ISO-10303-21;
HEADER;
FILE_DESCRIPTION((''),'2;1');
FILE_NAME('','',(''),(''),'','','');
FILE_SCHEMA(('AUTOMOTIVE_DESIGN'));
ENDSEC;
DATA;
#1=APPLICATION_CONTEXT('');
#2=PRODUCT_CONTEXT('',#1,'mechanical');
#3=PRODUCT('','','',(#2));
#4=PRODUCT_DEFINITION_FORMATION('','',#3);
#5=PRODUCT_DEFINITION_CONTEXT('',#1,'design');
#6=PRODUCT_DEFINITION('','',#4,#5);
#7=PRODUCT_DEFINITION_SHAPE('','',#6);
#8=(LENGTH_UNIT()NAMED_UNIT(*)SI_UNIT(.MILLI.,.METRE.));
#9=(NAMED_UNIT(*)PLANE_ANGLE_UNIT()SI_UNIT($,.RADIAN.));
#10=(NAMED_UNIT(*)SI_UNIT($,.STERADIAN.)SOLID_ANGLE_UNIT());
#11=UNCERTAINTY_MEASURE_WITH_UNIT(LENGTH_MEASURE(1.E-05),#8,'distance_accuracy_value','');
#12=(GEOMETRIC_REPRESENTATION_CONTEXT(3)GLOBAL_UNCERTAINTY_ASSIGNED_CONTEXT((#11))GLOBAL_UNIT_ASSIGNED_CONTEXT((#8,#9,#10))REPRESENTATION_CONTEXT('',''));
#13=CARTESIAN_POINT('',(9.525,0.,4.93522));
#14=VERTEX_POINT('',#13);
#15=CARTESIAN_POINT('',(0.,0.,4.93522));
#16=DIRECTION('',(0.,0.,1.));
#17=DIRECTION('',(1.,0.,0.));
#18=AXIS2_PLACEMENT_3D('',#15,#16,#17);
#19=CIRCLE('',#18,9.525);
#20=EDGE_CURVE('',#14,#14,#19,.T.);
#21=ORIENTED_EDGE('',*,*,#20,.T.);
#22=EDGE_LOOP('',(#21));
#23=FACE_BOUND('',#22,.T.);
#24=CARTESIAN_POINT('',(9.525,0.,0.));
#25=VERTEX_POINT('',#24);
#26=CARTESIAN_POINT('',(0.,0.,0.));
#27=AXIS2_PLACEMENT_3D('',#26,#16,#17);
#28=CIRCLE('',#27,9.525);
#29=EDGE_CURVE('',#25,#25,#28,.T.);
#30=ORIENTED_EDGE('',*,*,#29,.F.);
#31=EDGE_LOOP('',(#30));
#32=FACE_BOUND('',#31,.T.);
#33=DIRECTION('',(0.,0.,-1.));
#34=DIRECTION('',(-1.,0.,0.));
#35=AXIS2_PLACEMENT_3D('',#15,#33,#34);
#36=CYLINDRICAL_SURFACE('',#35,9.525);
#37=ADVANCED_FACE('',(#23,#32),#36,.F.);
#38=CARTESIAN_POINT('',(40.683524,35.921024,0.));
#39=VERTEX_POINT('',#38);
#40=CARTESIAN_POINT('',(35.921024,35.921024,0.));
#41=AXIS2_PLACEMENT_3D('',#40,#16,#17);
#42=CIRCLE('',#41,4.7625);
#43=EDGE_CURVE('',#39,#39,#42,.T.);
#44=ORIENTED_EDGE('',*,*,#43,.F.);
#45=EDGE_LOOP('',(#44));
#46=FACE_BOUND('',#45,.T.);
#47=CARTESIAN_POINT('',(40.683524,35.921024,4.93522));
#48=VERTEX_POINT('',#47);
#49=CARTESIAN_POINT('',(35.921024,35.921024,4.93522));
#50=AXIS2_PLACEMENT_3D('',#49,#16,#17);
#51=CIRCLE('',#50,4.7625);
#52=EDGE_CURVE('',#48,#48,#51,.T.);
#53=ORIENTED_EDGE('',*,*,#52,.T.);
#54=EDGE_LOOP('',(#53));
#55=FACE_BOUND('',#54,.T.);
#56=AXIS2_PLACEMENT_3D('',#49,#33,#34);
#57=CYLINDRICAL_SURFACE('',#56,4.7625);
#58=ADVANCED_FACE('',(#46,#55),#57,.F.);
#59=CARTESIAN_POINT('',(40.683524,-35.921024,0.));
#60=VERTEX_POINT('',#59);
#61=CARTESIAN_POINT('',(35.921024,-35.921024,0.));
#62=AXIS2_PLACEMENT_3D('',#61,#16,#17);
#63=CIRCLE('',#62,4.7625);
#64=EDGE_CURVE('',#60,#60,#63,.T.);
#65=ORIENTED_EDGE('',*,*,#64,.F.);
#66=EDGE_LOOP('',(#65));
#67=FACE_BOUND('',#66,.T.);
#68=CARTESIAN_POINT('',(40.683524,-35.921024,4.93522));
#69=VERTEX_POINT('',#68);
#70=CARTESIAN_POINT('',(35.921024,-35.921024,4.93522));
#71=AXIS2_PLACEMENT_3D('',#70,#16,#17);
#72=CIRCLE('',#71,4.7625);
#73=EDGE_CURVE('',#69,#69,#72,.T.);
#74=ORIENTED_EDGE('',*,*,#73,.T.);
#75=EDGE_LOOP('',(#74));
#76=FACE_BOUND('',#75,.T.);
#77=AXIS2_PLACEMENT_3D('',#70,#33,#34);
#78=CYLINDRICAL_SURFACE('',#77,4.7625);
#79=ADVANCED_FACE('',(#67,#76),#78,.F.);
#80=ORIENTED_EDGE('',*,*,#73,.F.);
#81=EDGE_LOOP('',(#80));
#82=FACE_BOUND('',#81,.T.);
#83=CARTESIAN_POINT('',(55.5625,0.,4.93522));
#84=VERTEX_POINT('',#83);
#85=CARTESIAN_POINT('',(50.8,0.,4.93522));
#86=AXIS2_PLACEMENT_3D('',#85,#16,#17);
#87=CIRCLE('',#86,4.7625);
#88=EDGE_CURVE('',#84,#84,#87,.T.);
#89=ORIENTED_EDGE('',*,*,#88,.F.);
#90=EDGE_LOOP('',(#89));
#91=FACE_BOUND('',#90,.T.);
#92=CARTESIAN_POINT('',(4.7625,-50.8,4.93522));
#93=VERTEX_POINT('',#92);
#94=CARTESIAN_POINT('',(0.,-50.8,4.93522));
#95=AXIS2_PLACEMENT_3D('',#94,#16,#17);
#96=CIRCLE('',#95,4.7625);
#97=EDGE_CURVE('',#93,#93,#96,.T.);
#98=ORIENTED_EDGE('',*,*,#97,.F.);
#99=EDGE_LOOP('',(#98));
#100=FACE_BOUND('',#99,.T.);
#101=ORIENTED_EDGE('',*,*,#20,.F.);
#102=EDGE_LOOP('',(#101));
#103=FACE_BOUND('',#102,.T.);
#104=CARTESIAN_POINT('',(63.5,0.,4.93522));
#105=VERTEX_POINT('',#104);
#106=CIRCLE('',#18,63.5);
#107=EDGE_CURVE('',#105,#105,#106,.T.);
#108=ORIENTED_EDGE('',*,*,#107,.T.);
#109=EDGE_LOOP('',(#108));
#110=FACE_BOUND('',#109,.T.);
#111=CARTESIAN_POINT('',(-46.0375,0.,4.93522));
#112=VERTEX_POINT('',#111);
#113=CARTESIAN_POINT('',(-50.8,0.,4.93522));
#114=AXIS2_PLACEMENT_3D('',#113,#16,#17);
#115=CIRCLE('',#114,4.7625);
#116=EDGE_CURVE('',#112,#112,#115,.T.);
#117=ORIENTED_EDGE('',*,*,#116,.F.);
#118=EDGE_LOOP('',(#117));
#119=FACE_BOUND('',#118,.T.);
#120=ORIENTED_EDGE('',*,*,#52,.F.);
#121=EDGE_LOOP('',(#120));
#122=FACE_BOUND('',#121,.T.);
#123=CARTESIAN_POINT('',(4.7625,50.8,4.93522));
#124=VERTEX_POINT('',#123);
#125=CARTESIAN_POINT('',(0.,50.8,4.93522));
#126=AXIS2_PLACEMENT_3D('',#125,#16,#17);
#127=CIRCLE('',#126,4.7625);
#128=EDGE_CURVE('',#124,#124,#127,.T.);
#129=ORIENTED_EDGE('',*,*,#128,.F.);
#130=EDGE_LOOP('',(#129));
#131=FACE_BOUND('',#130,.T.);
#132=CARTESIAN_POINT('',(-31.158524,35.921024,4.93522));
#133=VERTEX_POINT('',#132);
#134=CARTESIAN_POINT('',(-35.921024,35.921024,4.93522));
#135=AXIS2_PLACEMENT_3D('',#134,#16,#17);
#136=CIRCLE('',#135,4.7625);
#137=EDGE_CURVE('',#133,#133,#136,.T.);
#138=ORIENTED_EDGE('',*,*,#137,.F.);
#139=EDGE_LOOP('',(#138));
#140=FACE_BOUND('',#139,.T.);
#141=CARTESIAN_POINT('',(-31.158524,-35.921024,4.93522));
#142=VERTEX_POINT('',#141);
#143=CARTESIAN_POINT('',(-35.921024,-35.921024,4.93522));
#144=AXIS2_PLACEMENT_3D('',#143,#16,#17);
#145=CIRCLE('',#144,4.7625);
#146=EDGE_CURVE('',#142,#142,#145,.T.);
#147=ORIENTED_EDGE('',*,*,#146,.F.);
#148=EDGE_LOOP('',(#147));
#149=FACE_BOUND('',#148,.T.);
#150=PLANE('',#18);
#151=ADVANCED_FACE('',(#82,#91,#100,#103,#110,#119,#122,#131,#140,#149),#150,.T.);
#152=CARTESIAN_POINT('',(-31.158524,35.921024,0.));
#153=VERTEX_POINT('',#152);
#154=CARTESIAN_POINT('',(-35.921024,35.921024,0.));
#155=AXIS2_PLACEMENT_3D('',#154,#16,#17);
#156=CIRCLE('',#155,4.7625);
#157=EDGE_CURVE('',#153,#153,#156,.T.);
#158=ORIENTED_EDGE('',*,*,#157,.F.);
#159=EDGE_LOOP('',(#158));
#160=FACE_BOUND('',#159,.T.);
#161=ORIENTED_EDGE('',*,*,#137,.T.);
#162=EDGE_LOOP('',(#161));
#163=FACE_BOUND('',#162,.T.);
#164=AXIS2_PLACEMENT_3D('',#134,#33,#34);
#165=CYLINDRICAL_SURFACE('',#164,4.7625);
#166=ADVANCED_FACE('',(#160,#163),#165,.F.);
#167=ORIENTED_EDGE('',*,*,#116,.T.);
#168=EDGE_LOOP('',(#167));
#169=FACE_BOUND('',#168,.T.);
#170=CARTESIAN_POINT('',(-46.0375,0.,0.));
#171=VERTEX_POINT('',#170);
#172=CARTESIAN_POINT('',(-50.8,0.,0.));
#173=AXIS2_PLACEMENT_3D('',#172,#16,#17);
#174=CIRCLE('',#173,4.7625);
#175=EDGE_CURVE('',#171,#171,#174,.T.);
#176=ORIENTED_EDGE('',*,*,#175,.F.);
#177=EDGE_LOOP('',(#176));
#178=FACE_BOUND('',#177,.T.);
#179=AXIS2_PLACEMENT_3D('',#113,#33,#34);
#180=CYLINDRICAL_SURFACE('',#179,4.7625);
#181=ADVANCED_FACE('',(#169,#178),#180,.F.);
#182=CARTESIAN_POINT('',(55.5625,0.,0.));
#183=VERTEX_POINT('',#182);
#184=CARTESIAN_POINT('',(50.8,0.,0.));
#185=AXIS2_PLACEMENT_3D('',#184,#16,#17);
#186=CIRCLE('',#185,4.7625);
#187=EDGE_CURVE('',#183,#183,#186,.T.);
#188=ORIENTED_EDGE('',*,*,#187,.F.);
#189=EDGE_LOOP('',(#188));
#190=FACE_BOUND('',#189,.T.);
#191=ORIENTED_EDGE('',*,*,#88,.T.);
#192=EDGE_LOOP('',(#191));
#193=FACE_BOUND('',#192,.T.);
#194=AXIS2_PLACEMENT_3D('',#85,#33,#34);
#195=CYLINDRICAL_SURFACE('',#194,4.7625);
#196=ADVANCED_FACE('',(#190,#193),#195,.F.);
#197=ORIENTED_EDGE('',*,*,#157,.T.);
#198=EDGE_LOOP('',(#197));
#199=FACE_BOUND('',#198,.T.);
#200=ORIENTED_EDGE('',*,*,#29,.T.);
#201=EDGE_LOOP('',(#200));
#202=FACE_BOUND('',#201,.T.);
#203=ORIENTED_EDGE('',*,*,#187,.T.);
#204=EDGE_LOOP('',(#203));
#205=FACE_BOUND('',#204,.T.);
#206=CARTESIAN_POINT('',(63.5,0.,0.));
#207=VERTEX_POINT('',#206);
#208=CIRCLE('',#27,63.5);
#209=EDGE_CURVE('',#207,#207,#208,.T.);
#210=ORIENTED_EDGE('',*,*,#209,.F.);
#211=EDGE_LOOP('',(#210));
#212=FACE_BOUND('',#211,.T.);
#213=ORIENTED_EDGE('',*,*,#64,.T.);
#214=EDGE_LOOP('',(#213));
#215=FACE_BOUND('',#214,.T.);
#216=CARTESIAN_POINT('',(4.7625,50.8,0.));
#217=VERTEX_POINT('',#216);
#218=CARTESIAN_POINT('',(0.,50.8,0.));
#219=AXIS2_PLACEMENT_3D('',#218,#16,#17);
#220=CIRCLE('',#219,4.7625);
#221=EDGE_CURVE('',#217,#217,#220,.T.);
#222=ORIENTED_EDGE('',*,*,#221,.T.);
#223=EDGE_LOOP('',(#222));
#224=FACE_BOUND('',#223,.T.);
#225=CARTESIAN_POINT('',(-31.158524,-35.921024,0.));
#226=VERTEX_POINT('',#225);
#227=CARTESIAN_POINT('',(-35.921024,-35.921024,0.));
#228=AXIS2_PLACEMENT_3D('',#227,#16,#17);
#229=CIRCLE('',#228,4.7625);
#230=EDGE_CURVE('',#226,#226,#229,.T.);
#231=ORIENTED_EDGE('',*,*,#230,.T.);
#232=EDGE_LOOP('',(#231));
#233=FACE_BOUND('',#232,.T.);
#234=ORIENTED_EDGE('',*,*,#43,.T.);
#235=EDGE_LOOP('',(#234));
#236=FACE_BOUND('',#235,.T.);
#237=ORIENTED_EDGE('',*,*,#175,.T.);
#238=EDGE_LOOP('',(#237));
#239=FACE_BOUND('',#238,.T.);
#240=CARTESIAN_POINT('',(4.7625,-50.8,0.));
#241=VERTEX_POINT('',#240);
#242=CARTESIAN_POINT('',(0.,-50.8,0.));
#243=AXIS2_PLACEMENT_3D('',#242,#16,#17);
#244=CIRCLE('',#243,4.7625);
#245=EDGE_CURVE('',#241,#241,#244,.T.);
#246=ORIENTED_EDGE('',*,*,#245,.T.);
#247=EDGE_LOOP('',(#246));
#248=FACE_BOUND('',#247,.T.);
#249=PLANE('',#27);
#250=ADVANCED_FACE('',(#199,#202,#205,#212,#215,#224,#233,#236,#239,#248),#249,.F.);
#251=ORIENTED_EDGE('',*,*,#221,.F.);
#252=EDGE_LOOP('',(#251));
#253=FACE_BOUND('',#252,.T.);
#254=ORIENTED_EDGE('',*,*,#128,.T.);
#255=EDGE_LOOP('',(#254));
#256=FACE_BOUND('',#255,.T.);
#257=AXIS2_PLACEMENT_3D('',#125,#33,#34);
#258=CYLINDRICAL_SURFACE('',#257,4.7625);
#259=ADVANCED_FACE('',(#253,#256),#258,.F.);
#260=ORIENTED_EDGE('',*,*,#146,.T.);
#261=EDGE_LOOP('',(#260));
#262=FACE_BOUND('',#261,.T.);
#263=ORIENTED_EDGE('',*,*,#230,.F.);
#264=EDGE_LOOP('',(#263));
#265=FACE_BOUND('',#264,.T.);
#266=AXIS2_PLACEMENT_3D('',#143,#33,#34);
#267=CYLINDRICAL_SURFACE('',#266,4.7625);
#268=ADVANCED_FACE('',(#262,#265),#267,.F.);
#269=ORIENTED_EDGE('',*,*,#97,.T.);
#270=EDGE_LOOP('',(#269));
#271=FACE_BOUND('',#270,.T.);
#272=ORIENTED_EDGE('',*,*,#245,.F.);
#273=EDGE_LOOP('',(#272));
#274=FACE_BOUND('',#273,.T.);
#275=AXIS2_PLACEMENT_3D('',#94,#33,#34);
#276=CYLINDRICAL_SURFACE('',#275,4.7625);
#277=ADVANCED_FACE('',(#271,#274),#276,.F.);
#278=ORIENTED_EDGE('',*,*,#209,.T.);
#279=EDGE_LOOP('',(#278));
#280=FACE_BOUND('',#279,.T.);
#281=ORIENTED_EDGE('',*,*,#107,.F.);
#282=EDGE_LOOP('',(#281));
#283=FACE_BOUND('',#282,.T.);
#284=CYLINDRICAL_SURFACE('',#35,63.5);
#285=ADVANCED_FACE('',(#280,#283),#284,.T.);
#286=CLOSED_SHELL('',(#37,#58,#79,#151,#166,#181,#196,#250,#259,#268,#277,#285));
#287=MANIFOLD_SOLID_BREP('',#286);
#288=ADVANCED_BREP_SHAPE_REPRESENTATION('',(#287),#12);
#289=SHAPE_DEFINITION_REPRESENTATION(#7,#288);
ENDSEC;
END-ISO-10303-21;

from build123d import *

# Parameters (mm, degrees)
SKETCH1_R        = 63.5
SKETCH1_R_2      = 9.525
SKETCH1_R_3      = 4.7625
ROTOR_DISC_DEPTH = 4.93522


with BuildPart() as part:
    # Sketch1 → Rotor Disc (new body)
    with BuildSketch(Plane.XY):
        Circle(SKETCH1_R)
        Circle(SKETCH1_R_2, mode=Mode.SUBTRACT)
        with Locations((0, 50.8)):
            Circle(SKETCH1_R_3, mode=Mode.SUBTRACT)
        with Locations((35.921024484, 35.921024484)):
            Circle(SKETCH1_R_3, mode=Mode.SUBTRACT)
        with Locations((50.8, 0)):
            Circle(SKETCH1_R_3, mode=Mode.SUBTRACT)
        with Locations((35.921024484, -35.921024484)):
            Circle(SKETCH1_R_3, mode=Mode.SUBTRACT)
        with Locations((0, -50.8)):
            Circle(SKETCH1_R_3, mode=Mode.SUBTRACT)
        with Locations((-35.921024484, -35.921024484)):
            Circle(SKETCH1_R_3, mode=Mode.SUBTRACT)
        with Locations((-50.8, 0)):
            Circle(SKETCH1_R_3, mode=Mode.SUBTRACT)
        with Locations((-35.921024484, 35.921024484)):
            Circle(SKETCH1_R_3, mode=Mode.SUBTRACT)
    extrude(amount=ROTOR_DISC_DEPTH)


solid = part.part
